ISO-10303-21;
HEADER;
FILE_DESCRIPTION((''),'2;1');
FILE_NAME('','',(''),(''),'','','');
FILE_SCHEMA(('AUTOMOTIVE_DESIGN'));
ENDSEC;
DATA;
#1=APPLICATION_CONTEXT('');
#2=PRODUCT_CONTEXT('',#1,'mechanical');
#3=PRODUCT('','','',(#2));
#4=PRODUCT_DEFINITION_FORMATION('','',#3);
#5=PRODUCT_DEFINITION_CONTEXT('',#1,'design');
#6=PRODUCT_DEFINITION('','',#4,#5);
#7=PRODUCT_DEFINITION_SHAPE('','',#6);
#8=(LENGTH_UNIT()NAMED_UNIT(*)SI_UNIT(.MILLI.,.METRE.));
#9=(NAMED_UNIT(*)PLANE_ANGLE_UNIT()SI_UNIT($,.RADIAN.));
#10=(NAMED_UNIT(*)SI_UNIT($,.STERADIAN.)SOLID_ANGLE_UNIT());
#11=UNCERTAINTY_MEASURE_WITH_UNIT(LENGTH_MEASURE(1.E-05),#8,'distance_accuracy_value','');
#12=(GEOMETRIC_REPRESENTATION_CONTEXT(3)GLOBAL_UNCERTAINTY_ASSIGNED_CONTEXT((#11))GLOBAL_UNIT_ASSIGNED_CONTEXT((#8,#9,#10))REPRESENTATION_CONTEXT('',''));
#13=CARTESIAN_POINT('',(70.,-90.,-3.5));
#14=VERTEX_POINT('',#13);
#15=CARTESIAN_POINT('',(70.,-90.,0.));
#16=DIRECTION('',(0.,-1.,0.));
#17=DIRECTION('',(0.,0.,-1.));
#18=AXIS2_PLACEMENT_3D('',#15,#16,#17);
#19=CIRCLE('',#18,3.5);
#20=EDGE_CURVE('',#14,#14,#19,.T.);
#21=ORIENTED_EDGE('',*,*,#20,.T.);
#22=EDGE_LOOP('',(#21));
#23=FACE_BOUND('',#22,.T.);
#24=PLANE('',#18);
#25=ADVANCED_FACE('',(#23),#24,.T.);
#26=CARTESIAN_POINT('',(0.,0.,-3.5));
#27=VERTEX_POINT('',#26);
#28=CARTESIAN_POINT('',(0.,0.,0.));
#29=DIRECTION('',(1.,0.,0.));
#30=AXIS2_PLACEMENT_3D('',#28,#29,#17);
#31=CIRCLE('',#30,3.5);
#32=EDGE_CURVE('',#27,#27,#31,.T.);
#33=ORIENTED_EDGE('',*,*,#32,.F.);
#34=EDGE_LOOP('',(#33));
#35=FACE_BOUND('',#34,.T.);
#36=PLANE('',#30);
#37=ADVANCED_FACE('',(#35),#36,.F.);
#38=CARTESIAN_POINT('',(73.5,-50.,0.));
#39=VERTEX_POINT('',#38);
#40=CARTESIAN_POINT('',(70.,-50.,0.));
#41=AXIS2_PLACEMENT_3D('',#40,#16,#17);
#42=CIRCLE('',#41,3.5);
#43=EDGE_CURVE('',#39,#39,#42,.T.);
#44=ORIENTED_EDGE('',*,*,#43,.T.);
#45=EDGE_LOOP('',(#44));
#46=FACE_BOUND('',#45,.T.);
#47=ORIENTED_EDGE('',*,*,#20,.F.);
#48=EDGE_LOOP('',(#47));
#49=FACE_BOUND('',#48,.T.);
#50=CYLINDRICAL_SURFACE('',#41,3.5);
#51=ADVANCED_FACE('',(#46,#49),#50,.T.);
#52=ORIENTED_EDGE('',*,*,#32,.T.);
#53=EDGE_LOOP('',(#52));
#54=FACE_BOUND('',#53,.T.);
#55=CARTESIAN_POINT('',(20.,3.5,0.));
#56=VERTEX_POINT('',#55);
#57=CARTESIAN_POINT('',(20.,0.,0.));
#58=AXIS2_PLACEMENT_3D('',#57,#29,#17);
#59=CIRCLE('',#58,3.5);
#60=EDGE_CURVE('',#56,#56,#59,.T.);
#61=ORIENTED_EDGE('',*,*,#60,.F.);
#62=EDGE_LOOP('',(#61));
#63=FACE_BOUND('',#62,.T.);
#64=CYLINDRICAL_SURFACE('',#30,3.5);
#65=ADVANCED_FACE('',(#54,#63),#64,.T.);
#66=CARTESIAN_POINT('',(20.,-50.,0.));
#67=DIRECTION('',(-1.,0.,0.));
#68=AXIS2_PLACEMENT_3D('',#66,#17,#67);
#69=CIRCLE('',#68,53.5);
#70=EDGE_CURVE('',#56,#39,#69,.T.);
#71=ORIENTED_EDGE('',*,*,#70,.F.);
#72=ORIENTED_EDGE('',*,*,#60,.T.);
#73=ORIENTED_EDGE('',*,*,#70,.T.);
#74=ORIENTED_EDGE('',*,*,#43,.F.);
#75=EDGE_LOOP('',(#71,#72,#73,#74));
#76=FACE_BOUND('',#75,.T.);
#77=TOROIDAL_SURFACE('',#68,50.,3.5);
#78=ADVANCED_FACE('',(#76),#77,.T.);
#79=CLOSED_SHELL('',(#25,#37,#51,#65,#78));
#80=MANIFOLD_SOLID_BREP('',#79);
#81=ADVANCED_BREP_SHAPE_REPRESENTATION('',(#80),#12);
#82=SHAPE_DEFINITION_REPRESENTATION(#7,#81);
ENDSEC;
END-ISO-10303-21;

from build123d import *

# Parameters (mm, degrees)
SKIZZE2_R = 3.5


with BuildPart() as part:
    # Austragung1: sweep along a path in Skizze1
    with BuildLine(Plane.XY) as austragung1_path:
        Line((0, 0), (20, 0))
        ThreePointArc((20, 0), (55.355339059, -14.644660941), (70, -50))
        Line((70, -50), (70, -90))
    # Skizze2 → Austragung1 (sweep)
    with BuildSketch(Plane(origin=(0, 0, 0), x_dir=(0, 0, -1), z_dir=(1, 0, 0))):
        Circle(SKIZZE2_R)
    sweep(path=austragung1_path.line)


solid = part.part
